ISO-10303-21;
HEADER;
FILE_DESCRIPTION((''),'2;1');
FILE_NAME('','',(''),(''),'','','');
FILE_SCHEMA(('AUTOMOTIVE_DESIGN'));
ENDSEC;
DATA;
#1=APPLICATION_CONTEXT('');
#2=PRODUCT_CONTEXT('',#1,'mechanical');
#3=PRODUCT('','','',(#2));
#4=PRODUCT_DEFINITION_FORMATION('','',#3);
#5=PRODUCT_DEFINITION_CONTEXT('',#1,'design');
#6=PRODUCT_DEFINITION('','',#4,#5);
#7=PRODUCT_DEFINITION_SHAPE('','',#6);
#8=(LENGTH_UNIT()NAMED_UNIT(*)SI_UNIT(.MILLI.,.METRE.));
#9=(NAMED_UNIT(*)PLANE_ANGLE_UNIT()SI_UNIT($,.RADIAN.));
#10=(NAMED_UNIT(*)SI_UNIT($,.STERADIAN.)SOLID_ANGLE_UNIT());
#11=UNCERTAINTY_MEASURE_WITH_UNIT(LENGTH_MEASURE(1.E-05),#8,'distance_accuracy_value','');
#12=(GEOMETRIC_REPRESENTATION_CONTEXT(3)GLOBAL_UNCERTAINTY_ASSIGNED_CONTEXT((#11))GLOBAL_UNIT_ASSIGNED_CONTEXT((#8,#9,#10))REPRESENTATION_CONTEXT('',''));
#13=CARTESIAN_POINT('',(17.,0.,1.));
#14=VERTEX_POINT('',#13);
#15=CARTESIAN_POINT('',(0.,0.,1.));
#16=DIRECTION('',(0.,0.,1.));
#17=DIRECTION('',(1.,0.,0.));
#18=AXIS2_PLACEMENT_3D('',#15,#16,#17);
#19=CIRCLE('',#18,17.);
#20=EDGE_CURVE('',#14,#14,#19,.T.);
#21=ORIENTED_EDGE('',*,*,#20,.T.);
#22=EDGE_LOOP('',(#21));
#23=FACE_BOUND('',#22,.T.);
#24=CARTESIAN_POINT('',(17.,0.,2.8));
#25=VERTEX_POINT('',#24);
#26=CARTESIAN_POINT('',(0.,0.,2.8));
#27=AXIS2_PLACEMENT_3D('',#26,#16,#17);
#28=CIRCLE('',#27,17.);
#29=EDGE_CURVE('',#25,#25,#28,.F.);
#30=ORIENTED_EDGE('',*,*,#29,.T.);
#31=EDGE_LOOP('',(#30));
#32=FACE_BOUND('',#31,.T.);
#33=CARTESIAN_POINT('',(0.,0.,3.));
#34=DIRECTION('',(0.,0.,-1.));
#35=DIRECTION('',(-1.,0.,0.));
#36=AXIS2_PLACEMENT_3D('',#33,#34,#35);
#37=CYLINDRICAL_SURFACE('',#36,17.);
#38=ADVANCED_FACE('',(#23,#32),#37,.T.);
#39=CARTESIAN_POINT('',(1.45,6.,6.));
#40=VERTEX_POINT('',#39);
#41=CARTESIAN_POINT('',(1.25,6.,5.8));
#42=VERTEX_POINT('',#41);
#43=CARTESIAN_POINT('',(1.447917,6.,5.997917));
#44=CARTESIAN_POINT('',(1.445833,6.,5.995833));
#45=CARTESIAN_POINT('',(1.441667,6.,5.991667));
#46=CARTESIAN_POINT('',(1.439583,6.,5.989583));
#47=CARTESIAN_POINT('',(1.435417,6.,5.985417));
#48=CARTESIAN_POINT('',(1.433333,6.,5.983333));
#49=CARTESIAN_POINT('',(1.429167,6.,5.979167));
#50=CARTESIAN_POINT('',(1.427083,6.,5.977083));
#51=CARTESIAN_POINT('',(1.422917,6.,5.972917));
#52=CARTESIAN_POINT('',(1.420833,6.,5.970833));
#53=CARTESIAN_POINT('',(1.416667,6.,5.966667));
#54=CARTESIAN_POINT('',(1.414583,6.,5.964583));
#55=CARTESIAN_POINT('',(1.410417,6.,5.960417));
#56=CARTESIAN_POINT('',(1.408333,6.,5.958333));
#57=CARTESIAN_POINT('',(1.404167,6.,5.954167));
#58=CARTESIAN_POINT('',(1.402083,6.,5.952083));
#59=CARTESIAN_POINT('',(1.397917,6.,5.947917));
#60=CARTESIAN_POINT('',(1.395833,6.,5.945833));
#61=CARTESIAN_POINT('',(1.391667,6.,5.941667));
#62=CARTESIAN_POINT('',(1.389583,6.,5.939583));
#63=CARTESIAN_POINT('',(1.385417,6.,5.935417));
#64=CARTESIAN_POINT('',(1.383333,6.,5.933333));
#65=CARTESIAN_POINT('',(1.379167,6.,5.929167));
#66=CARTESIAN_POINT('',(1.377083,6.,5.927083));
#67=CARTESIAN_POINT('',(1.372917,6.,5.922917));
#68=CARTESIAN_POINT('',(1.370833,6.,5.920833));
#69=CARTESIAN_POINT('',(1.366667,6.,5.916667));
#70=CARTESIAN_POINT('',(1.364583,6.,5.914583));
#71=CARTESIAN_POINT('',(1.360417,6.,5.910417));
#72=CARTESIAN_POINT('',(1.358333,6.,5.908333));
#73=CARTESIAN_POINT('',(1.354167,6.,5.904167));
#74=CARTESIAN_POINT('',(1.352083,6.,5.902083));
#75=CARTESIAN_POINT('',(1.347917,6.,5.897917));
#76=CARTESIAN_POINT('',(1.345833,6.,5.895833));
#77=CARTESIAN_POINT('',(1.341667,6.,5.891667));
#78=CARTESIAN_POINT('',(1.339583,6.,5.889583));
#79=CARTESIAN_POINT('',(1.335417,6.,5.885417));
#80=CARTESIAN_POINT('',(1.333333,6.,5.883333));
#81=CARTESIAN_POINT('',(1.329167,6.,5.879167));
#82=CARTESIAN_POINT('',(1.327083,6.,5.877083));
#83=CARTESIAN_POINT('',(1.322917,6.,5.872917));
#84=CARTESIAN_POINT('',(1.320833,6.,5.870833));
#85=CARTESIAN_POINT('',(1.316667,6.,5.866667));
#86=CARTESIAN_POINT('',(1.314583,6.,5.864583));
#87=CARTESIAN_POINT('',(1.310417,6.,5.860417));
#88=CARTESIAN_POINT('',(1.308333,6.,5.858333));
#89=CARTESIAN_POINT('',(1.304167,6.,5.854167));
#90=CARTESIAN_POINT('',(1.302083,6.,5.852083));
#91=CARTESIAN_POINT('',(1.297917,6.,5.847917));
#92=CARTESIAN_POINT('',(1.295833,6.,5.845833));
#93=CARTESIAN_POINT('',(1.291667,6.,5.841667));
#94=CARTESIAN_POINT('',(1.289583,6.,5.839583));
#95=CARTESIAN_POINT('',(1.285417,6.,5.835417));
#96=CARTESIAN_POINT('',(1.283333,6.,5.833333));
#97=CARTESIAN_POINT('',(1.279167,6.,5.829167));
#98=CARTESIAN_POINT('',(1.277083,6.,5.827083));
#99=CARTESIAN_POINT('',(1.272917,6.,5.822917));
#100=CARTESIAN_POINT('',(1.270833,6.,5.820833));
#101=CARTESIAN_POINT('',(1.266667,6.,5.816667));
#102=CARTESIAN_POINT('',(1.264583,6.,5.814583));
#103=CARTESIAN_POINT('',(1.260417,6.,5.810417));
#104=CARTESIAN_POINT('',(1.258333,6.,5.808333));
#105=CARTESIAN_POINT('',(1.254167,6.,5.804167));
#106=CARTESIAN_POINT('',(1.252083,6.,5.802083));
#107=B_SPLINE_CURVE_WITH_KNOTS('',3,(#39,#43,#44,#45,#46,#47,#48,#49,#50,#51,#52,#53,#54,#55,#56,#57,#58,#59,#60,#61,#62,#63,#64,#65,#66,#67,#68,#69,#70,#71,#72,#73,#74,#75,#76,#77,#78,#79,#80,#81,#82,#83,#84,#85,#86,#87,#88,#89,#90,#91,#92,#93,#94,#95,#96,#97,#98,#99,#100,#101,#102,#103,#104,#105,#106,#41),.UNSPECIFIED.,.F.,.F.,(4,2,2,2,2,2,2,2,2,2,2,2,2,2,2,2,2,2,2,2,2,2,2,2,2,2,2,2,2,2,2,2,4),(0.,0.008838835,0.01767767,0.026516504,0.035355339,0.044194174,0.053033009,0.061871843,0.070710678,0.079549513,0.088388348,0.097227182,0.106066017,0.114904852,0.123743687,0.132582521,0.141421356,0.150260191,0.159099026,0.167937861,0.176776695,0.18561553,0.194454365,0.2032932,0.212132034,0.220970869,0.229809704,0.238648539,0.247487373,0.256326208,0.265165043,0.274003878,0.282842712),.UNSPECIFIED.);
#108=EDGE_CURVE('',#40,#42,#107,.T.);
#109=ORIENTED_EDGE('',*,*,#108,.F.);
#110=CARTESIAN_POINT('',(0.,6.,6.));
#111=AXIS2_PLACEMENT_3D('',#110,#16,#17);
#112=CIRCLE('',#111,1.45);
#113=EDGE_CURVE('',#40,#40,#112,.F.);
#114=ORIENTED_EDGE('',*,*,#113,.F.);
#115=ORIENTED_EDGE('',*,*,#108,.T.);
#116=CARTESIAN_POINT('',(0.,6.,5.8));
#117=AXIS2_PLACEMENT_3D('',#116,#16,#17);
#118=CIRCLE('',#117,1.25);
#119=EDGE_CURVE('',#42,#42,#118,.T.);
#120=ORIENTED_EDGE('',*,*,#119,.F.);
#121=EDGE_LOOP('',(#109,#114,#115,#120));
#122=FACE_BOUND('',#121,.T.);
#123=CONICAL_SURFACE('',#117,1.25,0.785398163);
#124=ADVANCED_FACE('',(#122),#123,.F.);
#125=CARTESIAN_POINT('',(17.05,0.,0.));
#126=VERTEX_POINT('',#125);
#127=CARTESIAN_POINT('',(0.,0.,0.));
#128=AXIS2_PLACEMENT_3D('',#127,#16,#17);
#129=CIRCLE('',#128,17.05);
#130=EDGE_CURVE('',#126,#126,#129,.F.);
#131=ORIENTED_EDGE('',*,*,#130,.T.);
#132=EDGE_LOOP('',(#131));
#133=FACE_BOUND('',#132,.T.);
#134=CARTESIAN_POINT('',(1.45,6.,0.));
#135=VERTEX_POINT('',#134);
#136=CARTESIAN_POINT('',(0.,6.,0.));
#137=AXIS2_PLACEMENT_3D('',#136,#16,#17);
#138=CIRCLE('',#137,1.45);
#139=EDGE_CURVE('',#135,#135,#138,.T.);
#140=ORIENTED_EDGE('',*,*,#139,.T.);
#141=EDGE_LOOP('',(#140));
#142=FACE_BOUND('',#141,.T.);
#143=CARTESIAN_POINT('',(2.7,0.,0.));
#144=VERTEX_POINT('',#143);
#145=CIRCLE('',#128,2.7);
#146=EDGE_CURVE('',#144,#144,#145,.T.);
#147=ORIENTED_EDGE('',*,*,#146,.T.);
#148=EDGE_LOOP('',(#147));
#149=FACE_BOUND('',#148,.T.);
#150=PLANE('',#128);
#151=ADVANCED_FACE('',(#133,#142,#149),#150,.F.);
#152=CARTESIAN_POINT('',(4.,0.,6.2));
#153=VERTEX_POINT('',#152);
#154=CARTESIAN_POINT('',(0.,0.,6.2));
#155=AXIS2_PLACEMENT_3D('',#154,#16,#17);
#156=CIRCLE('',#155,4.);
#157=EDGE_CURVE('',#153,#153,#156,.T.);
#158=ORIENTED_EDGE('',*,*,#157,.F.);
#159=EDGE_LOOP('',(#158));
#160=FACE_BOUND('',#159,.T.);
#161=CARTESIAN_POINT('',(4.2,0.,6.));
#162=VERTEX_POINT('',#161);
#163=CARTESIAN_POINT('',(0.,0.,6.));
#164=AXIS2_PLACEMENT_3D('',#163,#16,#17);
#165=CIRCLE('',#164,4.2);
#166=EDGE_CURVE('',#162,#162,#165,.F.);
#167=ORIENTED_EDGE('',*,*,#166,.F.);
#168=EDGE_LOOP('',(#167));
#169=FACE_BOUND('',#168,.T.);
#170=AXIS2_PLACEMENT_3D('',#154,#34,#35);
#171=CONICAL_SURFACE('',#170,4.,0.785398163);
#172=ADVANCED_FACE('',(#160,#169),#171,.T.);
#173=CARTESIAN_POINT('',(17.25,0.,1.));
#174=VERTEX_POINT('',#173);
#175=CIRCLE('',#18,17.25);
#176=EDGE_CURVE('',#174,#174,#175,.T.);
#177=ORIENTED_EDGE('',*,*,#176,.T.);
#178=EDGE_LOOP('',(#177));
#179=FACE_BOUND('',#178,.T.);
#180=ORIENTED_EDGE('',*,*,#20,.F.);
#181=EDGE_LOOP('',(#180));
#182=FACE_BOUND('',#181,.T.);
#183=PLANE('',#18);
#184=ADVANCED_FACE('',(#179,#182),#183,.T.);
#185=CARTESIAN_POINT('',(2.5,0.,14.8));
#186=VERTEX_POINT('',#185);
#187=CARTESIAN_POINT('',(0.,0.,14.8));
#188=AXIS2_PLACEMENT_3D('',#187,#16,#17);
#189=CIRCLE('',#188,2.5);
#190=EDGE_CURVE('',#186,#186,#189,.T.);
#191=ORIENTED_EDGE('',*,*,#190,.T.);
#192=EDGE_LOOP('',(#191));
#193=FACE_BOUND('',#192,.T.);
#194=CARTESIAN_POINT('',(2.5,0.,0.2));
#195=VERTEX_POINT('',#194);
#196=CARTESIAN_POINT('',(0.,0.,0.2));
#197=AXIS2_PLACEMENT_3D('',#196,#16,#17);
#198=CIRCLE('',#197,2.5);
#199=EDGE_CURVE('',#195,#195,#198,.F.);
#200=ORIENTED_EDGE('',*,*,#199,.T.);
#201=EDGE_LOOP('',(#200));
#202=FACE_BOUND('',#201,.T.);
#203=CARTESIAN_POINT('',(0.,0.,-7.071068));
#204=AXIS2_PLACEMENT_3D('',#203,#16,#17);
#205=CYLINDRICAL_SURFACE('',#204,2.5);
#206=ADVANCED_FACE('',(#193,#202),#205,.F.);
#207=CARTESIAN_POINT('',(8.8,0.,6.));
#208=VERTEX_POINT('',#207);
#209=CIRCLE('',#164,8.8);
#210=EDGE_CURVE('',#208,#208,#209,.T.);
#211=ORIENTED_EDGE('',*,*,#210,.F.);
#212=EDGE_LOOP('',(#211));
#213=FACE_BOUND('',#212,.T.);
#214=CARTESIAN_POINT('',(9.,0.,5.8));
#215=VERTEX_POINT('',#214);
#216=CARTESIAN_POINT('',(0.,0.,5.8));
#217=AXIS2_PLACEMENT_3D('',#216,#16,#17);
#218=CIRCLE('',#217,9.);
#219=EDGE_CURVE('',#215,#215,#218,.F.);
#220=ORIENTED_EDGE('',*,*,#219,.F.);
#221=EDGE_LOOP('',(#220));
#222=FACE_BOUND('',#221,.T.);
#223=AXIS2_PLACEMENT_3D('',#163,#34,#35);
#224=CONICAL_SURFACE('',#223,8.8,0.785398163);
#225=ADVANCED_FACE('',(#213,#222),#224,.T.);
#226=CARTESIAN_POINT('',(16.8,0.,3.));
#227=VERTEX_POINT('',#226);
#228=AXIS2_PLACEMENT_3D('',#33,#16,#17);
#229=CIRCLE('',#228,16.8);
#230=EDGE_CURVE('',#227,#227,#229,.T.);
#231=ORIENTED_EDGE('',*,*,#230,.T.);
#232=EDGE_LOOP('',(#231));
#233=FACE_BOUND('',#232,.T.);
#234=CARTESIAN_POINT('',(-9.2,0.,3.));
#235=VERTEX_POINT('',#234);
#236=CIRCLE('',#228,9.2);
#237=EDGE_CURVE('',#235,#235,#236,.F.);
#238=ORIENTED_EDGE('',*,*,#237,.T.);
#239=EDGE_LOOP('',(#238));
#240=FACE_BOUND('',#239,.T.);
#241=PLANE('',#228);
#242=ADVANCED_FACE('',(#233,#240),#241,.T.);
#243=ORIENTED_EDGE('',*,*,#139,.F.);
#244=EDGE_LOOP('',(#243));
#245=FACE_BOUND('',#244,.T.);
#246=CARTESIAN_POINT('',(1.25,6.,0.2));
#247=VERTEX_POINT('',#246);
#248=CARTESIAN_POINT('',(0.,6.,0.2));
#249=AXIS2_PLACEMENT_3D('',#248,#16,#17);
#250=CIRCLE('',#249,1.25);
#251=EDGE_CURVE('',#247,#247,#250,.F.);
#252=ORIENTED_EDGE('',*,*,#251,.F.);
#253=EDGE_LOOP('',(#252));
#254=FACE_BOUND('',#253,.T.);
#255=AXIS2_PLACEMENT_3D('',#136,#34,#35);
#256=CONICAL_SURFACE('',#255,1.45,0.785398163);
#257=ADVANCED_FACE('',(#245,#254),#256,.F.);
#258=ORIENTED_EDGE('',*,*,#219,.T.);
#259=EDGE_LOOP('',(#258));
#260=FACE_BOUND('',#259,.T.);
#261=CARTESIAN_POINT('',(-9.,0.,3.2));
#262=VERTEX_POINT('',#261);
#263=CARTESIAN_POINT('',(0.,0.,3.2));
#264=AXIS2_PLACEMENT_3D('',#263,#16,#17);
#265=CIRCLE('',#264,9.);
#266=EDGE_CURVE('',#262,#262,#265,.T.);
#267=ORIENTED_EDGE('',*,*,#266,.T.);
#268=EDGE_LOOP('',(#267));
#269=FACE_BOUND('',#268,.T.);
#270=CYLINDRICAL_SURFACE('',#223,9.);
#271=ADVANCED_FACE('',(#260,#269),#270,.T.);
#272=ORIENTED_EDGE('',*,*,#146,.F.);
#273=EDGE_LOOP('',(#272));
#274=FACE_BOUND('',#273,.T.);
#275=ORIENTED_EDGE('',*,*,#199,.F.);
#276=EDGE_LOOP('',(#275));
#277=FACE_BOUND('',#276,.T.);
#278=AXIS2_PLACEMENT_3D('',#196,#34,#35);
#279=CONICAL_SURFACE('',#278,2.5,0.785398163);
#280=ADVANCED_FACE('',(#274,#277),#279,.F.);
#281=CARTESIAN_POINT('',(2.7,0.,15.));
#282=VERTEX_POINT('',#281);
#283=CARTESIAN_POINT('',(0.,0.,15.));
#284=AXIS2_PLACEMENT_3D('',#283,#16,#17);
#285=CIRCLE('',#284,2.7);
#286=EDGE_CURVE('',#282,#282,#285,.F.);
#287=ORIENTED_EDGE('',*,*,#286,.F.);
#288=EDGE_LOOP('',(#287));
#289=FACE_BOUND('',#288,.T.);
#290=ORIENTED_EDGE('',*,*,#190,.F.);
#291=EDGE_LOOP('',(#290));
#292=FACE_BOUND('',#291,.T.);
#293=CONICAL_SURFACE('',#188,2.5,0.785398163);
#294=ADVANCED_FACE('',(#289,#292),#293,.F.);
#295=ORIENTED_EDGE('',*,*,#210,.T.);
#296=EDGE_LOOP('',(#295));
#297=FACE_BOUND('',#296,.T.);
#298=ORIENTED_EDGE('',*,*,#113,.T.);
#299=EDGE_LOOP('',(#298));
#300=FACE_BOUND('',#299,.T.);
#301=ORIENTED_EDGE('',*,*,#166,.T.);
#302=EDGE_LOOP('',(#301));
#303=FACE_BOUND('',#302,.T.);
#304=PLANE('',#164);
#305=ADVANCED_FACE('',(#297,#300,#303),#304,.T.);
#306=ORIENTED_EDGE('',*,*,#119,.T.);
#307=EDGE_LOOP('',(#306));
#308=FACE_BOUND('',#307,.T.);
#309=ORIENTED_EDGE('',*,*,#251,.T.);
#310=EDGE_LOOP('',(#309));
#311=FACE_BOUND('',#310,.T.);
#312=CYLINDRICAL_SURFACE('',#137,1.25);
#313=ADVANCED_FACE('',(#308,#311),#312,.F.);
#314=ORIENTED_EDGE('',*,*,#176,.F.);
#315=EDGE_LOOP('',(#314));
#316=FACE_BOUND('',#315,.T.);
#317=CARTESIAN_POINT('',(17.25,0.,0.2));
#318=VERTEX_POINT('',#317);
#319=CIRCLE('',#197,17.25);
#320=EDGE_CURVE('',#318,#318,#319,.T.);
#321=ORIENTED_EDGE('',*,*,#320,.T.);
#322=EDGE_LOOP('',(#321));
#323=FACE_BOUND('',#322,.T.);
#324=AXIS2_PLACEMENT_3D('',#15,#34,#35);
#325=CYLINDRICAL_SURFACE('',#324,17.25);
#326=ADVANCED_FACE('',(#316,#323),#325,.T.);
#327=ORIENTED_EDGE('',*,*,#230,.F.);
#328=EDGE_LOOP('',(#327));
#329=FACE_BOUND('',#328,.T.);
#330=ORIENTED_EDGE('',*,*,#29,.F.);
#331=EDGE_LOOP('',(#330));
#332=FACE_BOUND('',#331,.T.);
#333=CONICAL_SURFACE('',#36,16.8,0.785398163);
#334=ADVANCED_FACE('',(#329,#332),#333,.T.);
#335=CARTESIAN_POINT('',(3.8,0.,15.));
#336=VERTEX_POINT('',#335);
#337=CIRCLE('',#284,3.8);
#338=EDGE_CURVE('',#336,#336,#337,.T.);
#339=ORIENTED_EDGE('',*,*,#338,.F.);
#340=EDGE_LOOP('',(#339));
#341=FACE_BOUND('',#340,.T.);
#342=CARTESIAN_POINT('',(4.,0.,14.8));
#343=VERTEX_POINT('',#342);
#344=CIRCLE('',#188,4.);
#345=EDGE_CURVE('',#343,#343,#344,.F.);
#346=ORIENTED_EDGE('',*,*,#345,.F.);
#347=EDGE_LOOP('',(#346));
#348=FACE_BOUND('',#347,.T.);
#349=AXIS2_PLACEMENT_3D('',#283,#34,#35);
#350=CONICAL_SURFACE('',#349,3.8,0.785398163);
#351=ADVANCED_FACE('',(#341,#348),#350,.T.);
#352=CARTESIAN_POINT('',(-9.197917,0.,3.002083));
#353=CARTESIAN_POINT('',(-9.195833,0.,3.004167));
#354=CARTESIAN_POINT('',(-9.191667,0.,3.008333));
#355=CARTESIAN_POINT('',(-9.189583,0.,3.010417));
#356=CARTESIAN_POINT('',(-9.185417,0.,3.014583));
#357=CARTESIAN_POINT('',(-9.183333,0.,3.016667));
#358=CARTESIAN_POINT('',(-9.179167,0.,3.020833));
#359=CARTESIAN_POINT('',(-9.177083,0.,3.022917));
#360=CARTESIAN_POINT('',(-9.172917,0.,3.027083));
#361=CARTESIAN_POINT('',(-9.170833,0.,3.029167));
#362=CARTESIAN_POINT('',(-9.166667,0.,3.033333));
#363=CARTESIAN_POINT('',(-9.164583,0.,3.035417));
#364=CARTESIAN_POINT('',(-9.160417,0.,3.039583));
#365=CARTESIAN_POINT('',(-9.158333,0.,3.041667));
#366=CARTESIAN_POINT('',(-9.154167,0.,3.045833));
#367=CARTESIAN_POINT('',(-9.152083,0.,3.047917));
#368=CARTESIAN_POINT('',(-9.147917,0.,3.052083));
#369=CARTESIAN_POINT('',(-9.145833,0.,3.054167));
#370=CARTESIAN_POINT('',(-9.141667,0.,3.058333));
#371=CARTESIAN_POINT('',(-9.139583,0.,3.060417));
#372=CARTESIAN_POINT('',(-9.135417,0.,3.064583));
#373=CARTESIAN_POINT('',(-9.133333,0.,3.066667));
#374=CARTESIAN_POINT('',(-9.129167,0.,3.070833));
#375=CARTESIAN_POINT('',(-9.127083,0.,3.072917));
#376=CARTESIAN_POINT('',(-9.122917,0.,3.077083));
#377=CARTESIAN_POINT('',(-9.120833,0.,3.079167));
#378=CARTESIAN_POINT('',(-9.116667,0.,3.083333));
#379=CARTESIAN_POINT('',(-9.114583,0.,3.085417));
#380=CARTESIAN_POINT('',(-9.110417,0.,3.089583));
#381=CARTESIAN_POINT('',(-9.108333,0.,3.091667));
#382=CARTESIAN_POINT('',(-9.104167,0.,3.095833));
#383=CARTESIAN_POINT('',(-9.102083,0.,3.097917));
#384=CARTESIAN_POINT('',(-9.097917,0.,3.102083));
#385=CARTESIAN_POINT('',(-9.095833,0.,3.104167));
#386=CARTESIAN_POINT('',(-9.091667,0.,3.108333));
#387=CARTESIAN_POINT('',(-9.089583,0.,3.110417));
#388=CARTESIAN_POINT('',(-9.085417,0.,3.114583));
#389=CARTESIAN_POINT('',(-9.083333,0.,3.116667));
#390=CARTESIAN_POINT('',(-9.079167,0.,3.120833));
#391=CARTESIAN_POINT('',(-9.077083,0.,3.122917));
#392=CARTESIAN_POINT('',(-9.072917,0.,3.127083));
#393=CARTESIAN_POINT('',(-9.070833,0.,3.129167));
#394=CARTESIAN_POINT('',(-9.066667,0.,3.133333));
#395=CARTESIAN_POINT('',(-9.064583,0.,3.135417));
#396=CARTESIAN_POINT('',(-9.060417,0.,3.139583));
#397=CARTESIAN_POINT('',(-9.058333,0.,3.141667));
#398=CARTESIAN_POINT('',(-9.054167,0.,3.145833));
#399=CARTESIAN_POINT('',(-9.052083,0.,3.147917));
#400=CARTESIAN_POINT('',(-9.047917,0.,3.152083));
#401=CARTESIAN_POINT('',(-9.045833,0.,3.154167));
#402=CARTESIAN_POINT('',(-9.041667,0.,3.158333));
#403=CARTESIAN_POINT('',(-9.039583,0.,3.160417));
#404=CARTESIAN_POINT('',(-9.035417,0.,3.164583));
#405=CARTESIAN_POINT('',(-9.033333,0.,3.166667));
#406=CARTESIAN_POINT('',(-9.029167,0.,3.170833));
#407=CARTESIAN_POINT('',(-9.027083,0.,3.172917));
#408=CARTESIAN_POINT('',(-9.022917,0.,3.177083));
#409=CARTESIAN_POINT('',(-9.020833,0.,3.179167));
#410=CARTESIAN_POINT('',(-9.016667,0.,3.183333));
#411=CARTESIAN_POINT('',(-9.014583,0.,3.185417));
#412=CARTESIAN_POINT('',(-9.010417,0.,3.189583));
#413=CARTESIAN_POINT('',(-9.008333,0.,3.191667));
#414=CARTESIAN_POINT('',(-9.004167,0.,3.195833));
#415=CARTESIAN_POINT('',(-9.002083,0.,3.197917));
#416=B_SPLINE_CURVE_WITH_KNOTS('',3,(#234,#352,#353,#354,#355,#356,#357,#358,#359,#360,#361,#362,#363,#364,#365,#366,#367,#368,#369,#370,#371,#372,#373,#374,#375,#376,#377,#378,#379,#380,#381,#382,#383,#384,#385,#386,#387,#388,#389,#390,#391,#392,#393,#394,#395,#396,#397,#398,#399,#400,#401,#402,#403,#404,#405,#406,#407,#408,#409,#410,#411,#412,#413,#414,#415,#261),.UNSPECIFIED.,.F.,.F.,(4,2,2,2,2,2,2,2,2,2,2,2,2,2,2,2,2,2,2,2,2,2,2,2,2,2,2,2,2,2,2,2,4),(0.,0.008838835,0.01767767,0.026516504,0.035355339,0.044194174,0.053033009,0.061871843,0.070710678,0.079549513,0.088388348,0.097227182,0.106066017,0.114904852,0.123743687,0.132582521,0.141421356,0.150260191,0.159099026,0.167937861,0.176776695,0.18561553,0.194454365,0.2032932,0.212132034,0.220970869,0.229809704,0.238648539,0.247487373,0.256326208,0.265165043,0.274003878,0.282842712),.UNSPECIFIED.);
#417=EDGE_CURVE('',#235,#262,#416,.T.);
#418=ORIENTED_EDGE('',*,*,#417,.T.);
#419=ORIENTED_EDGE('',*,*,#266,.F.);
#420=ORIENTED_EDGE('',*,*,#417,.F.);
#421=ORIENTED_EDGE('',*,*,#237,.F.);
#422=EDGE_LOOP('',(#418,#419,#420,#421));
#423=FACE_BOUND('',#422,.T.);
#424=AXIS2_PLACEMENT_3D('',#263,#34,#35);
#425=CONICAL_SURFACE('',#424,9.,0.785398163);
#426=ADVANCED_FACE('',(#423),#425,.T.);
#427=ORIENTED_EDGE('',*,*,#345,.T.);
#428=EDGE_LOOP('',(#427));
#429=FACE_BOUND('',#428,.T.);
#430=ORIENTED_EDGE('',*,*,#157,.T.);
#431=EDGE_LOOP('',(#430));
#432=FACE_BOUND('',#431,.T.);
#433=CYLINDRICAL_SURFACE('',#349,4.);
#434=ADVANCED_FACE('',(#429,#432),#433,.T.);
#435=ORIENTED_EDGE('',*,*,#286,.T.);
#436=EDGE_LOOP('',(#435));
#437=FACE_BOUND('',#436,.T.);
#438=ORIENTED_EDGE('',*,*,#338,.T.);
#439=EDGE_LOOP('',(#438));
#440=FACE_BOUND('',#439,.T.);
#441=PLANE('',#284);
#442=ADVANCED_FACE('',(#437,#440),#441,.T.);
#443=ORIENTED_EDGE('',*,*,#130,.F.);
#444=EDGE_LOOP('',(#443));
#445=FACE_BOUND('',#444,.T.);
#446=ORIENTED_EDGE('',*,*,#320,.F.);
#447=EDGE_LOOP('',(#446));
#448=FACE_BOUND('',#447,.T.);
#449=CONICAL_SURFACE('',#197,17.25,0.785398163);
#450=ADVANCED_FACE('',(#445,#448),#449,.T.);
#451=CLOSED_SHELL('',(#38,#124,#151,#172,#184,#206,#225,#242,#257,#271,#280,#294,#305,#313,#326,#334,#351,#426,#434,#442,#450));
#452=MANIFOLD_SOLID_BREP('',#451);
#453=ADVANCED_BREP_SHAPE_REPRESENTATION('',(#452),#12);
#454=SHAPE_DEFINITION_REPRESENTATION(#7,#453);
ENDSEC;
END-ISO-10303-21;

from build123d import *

# Parameters (mm, degrees)
SKETCH1_R           = 17.25
SKETCH1_R_2         = 17
BOSS_EXTRUDE1_DEPTH = 1
SKETCH1_3_R         = 17
SKETCH1_3_R_2       = 9
BOSS_EXTRUDE2_DEPTH = 3
SKETCH1_4_R         = 9
SKETCH1_4_R_2       = 4
BOSS_EXTRUDE3_DEPTH = 6
SKETCH1_5_R         = 4
BOSS_EXTRUDE4_DEPTH = 15
SKETCH2_R           = 2.5
CUT_EXTRUDE1_DEPTH  = 15
SKETCH3_R           = 1.25
CUT_EXTRUDE2_DEPTH  = 6
CHAMFER1_SIZE       = 0.2


with BuildPart() as part:
    # Sketch1 → Boss-Extrude1 (new body)
    with BuildSketch(Plane.XY):
        Circle(SKETCH1_R)
        Circle(SKETCH1_R_2, mode=Mode.SUBTRACT)
    extrude(amount=BOSS_EXTRUDE1_DEPTH)

    # Sketch1<3> → Boss-Extrude2 (add)
    with BuildSketch(Plane.XY):
        Circle(SKETCH1_3_R)
        Circle(SKETCH1_3_R_2, mode=Mode.SUBTRACT)
    extrude(amount=BOSS_EXTRUDE2_DEPTH)

    # Sketch1<4> → Boss-Extrude3 (add)
    with BuildSketch(Plane.XY):
        Circle(SKETCH1_4_R)
        Circle(SKETCH1_4_R_2, mode=Mode.SUBTRACT)
    extrude(amount=BOSS_EXTRUDE3_DEPTH)

    # Sketch1<5> → Boss-Extrude4 (add)
    with BuildSketch(Plane.XY):
        Circle(SKETCH1_5_R)
    extrude(amount=BOSS_EXTRUDE4_DEPTH)

    # Sketch2 → Cut-Extrude1 (cut)
    with BuildSketch(Plane.XY.offset(15)):
        Circle(SKETCH2_R)
    extrude(amount=-CUT_EXTRUDE1_DEPTH, mode=Mode.SUBTRACT)

    # Sketch3 → Cut-Extrude2 (cut)
    with BuildSketch(Plane.XY.offset(6)):
        with Locations((0, 6)):
            Circle(SKETCH3_R)
    extrude(amount=-CUT_EXTRUDE2_DEPTH, mode=Mode.SUBTRACT)

    # Chamfer1
    chamfer1_edges = [part.edges().sort_by_distance(p)[0] for p in [
        (-4, 0, 6),
        (-9, 0, 6),
        (-4, 0, 15),
        (-2.5, 0, 15),
        (-2.5, 0, 0),
        (-1.25, 6, 0),
        (-1.25, 6, 6),
        (-17.25, 0, 0),
        (-9, 0, 3),
        (-17, 0, 3),
    ]]
    chamfer(chamfer1_edges, length=CHAMFER1_SIZE)


solid = part.part
